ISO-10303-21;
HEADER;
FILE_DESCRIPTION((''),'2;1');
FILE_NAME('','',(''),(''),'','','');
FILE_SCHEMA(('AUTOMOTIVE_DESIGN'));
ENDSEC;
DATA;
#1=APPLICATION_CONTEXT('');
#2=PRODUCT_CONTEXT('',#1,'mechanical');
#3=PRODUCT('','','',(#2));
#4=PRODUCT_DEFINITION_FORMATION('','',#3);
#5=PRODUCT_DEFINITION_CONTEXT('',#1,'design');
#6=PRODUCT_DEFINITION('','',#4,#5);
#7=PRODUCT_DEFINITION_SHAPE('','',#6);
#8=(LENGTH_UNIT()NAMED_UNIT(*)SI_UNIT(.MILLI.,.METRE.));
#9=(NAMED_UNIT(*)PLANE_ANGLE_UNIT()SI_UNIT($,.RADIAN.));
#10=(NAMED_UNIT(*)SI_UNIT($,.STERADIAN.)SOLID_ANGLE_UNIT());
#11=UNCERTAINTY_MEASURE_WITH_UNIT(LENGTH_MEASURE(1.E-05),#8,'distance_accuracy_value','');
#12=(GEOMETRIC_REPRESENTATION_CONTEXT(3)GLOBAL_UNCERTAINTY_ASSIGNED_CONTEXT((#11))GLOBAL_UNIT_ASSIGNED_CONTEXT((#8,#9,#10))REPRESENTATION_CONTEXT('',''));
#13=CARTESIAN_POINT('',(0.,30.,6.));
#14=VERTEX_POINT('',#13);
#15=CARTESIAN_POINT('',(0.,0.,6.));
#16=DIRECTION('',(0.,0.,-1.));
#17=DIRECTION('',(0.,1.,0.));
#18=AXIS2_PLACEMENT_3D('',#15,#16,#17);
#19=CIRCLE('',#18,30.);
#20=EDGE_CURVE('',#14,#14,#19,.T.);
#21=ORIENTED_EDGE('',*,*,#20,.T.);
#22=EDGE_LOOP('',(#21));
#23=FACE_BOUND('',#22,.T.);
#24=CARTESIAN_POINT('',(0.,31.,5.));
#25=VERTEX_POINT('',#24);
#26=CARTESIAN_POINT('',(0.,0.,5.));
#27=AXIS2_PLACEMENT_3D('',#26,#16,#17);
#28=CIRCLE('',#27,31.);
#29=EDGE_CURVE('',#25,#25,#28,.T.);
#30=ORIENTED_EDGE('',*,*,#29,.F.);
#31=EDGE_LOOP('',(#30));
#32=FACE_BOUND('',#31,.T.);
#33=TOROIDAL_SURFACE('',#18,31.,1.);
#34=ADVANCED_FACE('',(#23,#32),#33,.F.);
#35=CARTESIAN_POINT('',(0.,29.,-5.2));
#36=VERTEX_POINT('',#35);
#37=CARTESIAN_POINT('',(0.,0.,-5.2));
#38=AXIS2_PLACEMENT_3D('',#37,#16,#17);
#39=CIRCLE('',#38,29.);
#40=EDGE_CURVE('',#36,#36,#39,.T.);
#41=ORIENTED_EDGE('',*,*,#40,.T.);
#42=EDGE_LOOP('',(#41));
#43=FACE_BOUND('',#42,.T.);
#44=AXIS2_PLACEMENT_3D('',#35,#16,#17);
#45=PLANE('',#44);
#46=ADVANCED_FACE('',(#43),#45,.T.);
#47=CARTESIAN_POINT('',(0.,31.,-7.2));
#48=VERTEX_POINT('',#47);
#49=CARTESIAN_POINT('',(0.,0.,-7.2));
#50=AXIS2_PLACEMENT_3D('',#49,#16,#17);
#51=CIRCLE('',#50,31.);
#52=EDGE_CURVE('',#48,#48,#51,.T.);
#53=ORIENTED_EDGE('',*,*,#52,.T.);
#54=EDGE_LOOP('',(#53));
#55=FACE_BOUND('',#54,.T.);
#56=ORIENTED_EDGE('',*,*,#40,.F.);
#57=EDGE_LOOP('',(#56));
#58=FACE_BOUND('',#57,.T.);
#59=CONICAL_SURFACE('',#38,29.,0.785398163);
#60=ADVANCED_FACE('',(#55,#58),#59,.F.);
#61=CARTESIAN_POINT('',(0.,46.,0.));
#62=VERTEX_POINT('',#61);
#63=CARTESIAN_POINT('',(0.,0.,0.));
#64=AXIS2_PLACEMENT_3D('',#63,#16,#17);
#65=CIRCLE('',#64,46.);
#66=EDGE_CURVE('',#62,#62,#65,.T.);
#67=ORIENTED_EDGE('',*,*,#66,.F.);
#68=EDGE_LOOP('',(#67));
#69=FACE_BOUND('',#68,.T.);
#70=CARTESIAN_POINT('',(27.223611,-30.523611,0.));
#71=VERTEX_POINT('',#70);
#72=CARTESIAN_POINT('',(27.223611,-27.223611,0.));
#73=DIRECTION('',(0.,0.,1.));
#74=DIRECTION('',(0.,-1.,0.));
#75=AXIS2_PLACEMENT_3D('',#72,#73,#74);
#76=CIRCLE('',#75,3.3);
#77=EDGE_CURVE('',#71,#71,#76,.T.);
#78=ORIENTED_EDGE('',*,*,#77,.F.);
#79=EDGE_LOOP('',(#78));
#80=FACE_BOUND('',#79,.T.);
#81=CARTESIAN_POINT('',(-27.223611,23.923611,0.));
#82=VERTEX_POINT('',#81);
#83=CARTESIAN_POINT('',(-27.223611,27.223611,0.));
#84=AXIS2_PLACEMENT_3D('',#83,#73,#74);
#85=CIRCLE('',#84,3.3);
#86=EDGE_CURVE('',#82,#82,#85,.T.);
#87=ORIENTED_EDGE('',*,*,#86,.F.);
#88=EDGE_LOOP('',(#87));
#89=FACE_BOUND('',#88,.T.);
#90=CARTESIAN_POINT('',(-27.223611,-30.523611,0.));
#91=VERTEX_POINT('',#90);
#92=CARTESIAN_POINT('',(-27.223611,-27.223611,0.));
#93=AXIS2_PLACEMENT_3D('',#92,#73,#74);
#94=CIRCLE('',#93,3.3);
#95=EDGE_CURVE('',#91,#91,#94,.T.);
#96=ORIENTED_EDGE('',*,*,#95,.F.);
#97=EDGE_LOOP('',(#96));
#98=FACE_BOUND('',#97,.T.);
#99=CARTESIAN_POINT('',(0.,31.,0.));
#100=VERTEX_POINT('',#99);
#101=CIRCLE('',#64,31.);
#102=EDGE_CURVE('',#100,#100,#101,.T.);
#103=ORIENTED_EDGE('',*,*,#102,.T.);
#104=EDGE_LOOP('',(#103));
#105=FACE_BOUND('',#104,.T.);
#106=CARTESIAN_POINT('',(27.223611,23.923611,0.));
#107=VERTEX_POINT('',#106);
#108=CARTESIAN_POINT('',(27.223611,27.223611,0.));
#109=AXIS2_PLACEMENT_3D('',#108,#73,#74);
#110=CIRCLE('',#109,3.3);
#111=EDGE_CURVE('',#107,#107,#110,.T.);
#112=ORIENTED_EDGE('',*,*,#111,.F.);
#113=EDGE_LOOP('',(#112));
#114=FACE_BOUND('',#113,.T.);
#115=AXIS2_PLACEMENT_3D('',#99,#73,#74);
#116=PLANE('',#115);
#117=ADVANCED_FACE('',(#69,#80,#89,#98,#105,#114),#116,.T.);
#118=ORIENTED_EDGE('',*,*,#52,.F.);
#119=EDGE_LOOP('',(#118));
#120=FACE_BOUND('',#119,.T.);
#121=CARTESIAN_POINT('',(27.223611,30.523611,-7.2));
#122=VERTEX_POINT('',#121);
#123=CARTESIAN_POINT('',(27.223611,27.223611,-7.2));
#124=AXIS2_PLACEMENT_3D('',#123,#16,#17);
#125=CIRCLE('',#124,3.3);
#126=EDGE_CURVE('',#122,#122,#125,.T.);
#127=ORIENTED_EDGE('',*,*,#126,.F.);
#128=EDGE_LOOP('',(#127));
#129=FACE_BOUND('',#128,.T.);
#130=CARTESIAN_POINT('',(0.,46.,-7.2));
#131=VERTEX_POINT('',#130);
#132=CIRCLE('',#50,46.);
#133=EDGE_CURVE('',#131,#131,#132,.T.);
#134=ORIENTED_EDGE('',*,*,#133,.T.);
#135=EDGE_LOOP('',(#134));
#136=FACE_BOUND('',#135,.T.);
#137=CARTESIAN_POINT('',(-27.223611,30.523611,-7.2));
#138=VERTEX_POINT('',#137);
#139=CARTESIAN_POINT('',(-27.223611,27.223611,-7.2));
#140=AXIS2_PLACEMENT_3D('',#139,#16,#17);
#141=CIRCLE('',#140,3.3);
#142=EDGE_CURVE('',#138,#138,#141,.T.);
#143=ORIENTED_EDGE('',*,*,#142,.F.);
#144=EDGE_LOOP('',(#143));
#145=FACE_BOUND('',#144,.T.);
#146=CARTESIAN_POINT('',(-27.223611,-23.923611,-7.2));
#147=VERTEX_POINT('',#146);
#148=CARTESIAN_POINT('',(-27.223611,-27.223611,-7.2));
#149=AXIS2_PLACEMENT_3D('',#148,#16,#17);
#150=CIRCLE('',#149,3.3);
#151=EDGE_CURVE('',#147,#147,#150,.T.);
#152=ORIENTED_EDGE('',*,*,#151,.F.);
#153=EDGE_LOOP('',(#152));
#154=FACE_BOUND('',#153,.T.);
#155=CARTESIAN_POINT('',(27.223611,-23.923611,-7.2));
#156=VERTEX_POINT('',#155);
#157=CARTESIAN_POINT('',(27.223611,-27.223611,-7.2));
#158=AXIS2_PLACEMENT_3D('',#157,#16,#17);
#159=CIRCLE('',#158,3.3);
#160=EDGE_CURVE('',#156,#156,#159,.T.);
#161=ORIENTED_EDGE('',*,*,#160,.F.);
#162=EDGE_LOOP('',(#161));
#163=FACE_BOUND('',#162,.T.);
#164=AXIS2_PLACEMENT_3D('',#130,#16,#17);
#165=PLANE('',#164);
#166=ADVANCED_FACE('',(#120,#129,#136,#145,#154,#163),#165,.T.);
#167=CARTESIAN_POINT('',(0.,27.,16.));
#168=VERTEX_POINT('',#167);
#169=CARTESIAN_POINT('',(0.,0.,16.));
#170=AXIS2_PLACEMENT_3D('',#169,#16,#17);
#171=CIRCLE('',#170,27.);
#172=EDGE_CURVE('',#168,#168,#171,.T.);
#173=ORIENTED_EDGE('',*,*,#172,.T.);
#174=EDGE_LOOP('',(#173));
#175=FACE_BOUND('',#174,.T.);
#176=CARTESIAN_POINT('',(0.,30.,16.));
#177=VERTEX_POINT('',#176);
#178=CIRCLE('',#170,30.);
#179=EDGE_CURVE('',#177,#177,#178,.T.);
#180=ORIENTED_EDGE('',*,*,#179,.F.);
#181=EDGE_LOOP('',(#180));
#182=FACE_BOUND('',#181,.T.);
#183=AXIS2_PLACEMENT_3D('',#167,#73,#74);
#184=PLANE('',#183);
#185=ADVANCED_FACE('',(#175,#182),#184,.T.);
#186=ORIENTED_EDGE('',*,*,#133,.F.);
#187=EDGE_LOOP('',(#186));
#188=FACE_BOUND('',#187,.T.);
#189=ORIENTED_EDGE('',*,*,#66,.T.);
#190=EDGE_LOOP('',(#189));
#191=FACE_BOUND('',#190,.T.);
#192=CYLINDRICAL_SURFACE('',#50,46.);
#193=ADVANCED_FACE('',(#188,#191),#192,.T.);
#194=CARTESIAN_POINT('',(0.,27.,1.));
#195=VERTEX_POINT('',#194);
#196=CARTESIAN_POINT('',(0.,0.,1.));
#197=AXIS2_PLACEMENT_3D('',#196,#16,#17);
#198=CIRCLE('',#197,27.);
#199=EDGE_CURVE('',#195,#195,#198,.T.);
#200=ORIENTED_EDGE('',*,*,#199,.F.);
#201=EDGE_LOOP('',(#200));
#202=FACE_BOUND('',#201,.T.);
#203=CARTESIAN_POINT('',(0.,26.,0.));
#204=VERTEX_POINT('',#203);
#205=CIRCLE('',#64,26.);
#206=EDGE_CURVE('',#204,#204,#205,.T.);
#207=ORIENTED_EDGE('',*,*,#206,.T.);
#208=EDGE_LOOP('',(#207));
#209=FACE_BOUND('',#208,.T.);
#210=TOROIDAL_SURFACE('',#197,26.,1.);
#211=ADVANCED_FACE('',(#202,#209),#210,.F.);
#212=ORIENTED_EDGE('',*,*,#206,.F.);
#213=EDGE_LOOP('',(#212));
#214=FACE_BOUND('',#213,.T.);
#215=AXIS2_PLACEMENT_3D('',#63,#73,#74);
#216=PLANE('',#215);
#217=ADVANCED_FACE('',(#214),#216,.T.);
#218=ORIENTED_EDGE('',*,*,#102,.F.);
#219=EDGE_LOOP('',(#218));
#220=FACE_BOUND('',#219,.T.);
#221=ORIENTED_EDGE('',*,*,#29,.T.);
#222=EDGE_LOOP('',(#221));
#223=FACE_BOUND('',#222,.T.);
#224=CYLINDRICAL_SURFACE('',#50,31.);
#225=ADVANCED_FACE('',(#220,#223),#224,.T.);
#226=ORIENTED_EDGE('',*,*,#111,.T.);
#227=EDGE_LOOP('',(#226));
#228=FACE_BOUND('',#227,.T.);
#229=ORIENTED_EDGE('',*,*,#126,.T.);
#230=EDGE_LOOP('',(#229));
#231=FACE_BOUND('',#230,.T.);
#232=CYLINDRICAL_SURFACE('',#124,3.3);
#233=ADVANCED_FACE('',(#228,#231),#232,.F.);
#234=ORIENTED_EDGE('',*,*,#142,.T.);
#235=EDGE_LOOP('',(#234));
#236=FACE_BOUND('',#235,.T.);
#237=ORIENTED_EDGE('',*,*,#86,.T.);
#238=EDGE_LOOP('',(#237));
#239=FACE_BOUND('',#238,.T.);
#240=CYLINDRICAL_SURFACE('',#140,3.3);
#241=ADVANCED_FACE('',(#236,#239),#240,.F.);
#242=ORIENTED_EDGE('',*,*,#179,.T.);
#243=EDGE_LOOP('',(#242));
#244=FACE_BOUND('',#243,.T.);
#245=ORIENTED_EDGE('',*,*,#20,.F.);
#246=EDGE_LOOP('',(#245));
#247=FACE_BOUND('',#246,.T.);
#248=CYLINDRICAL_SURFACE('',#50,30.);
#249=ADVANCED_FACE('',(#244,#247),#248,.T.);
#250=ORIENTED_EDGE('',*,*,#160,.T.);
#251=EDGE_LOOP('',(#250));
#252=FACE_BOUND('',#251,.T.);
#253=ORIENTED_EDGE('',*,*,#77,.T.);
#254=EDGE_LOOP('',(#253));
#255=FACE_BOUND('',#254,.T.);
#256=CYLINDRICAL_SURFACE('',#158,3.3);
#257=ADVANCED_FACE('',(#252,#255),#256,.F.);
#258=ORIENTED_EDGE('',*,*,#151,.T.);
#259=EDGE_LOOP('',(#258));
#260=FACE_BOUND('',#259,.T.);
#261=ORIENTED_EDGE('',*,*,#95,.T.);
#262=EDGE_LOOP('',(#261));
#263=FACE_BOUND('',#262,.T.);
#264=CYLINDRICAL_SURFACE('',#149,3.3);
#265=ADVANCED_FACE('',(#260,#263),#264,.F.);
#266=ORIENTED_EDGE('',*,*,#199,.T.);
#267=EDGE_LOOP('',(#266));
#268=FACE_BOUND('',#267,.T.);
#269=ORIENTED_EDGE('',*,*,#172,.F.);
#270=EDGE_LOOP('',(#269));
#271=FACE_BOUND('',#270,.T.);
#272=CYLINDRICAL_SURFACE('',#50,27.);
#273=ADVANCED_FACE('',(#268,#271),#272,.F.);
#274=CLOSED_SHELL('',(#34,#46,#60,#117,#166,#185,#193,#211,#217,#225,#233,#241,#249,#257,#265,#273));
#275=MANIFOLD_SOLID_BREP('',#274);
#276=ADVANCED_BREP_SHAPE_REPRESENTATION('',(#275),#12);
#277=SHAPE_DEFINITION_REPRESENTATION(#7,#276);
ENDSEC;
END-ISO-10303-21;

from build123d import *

# Parameters (mm, degrees)
M6_CLEARANCE_HOLE1_D = 6.6
CIRPATTERN1_COUNT    = 4


with BuildPart() as part:
    # Sketch1 → Revolve1 (revolve)
    with BuildSketch(Plane(origin=(0, 0, 0), x_dir=(0, 0, -1), z_dir=(1, 0, 0))):
        with BuildLine():
            Line((0, 0), (0, 26))
            ThreePointArc((0, 26), (-0.292893219, 26.707106781), (-1, 27))
            Line((-1, 27), (-16, 27))
            Line((-16, 27), (-16, 30))
            Line((-16, 30), (-6, 30))
            ThreePointArc((-6, 30), (-5.292893219, 30.292893219), (-5, 31))
            Line((-5, 31), (0, 31))
            Line((0, 31), (0, 46))
            Line((0, 46), (7.2, 46))
            Line((7.2, 46), (7.2, 31))
            Line((7.2, 31), (5.2, 29))
            Line((5.2, 29), (5.2, 0))
            Line((5.2, 0), (0, 0))
        make_face()
    revolve(axis=Axis((0, 0, -7.2), (0, 0, 1)))

    # M6 Clearance Hole1 (through all)
    with Locations(Plane(origin=(0, 0, -7.2), x_dir=(-1, 0, 0), z_dir=(0, 0, -1))):
        with Locations((27.223611076, 27.223611076)):
            m6_clearance_hole1 = Hole(M6_CLEARANCE_HOLE1_D / 2)

    # CirPattern1: M6 Clearance Hole1 ×4 about axis
    cirpattern1_axis = Axis((0, 0, 0), (0, 0, 1))
    for i in range(1, CIRPATTERN1_COUNT):
        add(m6_clearance_hole1.rotate(cirpattern1_axis, i * 360 / CIRPATTERN1_COUNT), mode=Mode.SUBTRACT)


solid = part.part
